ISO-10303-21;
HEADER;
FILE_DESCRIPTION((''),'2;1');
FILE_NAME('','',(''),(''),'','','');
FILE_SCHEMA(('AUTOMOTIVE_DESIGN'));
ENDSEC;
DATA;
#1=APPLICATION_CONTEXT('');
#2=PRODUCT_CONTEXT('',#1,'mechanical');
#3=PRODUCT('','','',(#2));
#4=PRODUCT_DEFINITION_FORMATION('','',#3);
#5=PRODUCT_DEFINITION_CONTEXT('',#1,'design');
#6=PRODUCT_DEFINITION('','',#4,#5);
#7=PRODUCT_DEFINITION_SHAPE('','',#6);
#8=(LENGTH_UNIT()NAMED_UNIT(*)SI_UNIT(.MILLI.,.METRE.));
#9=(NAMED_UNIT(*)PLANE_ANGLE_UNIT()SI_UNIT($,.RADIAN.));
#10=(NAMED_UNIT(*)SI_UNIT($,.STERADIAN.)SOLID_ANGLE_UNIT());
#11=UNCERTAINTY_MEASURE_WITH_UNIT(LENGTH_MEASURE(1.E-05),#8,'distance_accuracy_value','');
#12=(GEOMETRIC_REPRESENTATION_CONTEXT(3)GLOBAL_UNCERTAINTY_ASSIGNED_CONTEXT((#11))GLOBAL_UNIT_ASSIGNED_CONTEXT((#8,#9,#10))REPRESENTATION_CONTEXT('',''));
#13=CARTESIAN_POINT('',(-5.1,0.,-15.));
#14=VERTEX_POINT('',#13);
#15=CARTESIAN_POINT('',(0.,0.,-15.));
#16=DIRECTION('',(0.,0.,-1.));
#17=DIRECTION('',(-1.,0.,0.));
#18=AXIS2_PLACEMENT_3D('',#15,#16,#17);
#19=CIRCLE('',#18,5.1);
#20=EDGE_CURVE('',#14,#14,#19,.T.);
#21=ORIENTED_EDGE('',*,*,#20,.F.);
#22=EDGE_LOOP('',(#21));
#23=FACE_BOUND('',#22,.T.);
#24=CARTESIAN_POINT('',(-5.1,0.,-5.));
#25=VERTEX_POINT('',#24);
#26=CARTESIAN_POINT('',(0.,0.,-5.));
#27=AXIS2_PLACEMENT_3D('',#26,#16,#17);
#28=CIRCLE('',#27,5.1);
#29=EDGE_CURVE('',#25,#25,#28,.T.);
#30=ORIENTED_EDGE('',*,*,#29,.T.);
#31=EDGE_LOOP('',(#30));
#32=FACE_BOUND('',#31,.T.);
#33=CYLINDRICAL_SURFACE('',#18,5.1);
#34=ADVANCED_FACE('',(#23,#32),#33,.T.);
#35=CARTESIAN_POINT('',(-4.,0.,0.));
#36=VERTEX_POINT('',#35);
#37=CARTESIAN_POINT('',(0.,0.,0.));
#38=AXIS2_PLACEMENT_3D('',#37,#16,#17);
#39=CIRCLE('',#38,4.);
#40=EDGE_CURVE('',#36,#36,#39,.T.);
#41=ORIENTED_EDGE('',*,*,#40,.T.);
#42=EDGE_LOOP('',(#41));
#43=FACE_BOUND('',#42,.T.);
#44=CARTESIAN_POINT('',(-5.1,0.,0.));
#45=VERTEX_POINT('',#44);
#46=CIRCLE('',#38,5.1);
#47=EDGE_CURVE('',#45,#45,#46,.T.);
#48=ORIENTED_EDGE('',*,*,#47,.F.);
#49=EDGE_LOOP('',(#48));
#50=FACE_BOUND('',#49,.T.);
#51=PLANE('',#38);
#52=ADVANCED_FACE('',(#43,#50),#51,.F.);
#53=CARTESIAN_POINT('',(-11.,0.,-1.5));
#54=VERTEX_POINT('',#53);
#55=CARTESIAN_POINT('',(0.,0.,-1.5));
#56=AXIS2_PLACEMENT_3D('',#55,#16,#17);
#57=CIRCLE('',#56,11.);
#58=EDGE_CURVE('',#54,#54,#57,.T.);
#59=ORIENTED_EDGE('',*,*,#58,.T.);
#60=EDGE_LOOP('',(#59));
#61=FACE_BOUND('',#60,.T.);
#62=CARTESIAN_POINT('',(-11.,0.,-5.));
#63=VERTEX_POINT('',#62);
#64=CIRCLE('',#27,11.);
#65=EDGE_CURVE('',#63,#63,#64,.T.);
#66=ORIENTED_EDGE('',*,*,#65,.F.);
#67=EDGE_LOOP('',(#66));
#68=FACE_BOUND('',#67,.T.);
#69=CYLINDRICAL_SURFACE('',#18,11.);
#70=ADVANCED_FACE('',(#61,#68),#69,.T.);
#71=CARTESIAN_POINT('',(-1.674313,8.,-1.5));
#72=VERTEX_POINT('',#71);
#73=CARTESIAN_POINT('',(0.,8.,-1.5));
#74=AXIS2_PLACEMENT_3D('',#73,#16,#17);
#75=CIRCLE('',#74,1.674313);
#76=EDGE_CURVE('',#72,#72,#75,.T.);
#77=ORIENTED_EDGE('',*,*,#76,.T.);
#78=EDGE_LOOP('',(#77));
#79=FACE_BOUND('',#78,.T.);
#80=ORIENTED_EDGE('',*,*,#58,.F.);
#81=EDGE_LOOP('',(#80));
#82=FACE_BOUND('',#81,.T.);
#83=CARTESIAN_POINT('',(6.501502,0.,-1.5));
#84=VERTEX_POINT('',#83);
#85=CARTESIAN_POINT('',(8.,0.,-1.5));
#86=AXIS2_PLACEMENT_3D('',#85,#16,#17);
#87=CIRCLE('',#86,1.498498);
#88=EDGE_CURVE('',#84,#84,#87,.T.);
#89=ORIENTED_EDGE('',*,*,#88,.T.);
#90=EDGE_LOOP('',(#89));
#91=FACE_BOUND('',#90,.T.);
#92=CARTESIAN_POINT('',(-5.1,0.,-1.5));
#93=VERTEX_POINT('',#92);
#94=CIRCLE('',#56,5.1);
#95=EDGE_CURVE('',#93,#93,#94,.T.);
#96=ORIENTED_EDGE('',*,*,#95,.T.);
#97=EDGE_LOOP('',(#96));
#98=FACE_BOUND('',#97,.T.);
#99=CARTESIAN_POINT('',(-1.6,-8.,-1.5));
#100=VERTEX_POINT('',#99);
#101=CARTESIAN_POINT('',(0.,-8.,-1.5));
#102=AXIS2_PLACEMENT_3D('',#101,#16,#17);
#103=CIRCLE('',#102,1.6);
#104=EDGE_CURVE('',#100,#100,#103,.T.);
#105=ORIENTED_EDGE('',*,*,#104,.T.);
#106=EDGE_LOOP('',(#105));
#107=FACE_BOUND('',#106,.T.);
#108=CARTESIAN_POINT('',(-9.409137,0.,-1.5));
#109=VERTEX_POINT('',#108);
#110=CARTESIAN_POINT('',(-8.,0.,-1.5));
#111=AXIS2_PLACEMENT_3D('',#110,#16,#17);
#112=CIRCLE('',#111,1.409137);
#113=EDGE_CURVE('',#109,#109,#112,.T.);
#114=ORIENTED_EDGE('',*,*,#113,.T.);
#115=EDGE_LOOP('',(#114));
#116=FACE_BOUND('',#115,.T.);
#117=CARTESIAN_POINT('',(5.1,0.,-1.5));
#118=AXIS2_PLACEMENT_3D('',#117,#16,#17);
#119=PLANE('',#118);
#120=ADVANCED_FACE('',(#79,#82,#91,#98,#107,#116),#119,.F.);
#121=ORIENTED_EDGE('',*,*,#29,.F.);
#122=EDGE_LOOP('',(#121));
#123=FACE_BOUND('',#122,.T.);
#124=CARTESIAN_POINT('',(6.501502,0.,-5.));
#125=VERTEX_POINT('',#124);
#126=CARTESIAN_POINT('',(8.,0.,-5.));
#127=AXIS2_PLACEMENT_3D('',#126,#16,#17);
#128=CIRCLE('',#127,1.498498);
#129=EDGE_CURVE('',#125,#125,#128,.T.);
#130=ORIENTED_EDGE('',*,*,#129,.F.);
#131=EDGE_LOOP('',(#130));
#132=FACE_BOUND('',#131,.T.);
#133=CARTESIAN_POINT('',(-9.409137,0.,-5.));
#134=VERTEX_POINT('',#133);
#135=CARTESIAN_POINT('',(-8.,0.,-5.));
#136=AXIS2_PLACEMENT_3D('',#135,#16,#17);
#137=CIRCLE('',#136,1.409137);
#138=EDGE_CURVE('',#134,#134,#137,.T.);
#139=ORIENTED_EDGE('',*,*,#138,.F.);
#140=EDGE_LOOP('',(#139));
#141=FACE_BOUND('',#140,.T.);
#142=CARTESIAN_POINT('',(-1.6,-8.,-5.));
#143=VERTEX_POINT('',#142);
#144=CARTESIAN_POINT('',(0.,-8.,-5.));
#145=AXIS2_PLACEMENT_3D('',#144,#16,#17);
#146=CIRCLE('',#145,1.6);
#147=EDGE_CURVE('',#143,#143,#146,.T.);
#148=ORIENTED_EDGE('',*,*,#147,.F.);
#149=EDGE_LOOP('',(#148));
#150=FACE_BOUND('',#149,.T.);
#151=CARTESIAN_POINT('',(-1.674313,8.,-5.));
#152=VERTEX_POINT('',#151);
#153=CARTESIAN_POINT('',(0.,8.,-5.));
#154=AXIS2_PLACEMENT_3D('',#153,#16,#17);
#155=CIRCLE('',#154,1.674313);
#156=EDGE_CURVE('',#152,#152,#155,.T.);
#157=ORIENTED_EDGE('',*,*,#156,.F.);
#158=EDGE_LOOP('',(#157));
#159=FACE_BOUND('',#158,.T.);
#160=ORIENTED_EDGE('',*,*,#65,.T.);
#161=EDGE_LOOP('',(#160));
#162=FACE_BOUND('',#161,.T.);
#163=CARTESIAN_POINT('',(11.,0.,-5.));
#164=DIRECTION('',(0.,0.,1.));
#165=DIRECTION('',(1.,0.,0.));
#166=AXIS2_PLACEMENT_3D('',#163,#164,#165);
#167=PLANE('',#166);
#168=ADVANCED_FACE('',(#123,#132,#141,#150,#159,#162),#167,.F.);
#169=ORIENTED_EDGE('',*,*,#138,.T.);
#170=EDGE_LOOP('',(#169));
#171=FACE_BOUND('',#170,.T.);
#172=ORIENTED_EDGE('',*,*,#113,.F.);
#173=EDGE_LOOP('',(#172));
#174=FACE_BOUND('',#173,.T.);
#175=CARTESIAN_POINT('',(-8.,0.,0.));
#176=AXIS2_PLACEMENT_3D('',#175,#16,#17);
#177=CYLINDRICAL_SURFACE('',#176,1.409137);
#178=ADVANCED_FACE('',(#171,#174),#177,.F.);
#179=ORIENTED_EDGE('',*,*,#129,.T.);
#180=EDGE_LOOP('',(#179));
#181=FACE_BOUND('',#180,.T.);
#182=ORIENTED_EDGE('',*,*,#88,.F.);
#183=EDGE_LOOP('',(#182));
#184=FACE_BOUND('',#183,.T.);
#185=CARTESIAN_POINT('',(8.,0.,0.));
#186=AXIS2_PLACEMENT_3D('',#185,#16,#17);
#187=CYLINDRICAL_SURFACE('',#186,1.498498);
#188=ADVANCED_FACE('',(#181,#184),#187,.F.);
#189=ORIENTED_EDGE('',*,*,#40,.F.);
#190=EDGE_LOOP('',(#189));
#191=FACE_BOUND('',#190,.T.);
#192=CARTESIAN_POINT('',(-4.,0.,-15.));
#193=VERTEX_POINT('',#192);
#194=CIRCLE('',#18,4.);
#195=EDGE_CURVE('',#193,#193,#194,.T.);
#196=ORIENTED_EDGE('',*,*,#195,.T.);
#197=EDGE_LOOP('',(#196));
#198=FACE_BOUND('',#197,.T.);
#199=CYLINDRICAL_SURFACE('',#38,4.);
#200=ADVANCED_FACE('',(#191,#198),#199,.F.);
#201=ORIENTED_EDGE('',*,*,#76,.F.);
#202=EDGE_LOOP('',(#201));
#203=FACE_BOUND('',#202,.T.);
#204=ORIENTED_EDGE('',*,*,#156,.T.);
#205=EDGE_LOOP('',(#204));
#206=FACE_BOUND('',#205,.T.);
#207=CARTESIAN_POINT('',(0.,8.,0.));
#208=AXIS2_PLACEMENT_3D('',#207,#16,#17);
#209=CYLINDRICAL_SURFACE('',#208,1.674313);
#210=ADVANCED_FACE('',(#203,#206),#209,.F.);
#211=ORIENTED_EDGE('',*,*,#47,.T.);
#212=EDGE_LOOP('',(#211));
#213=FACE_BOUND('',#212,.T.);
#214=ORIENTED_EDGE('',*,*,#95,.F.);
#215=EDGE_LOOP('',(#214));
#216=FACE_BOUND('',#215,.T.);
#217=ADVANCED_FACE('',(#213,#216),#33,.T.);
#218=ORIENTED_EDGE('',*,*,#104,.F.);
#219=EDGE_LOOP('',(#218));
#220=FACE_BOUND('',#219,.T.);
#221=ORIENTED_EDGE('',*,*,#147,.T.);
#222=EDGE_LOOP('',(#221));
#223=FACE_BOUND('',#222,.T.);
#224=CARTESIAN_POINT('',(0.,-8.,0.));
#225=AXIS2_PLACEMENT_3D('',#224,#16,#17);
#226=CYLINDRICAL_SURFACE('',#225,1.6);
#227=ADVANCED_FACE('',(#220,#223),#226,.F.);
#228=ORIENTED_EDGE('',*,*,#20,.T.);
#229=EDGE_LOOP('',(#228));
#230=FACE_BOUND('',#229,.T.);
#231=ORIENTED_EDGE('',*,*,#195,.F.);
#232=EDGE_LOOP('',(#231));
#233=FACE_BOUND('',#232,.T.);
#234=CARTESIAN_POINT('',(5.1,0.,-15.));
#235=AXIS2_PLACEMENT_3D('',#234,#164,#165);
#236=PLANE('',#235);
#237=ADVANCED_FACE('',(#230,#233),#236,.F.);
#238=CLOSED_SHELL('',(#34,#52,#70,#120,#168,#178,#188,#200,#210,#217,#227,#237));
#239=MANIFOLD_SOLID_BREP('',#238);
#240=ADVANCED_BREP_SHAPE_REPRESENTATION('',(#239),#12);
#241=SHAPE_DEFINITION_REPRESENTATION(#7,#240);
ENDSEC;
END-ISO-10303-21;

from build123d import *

# Parameters (mm, degrees)
SKETCH2_R          = 4
CUT_EXTRUDE1_DEPTH = 22.610182785
SKETCH3_R          = 1.409137036
SKETCH3_R_2        = 1.6
SKETCH3_R_3        = 1.49849824
SKETCH3_R_4        = 1.674312885
CUT_EXTRUDE2_DEPTH = 19.493242009


with BuildPart() as part:
    # Sketch1 → Revolve1 (revolve)
    with BuildSketch(Plane(origin=(0, 0, 0), x_dir=(1, 0, 0), z_dir=(0, 1, 0)), mode=Mode.PRIVATE) as revolve1_sk:
        Polygon((0, 0), (5.1, 0), (5.1, 1.5), (11, 1.5), (11, 5), (5.1, 5), (5.1, 15), (0, 15), align=None)
    revolve(revolve1_sk.sketch.rotate(Axis((0, 0, -15), (0, 0, 1)), 180), axis=Axis((0, 0, -15), (0, 0, 1)))

    # Sketch2 → Cut-Extrude1 (cut, through all)
    with BuildSketch(Plane(origin=(0, 0, -15), x_dir=(-1, 0, 0), z_dir=(0, 0, -1))):
        Circle(SKETCH2_R)
    extrude(amount=-CUT_EXTRUDE1_DEPTH, mode=Mode.SUBTRACT)

    # Sketch3 → Cut-Extrude2 (cut, through all)
    with BuildSketch(Plane(origin=(0, 0, -5), x_dir=(-1, 0, 0), z_dir=(0, 0, -1))):
        with Locations((8, 0)):
            Circle(SKETCH3_R)
        with Locations((0, -8)):
            Circle(SKETCH3_R_2)
        with Locations((-8, 0)):
            Circle(SKETCH3_R_3)
        with Locations((0, 8)):
            Circle(SKETCH3_R_4)
    extrude(amount=-CUT_EXTRUDE2_DEPTH, mode=Mode.SUBTRACT)


solid = part.part
